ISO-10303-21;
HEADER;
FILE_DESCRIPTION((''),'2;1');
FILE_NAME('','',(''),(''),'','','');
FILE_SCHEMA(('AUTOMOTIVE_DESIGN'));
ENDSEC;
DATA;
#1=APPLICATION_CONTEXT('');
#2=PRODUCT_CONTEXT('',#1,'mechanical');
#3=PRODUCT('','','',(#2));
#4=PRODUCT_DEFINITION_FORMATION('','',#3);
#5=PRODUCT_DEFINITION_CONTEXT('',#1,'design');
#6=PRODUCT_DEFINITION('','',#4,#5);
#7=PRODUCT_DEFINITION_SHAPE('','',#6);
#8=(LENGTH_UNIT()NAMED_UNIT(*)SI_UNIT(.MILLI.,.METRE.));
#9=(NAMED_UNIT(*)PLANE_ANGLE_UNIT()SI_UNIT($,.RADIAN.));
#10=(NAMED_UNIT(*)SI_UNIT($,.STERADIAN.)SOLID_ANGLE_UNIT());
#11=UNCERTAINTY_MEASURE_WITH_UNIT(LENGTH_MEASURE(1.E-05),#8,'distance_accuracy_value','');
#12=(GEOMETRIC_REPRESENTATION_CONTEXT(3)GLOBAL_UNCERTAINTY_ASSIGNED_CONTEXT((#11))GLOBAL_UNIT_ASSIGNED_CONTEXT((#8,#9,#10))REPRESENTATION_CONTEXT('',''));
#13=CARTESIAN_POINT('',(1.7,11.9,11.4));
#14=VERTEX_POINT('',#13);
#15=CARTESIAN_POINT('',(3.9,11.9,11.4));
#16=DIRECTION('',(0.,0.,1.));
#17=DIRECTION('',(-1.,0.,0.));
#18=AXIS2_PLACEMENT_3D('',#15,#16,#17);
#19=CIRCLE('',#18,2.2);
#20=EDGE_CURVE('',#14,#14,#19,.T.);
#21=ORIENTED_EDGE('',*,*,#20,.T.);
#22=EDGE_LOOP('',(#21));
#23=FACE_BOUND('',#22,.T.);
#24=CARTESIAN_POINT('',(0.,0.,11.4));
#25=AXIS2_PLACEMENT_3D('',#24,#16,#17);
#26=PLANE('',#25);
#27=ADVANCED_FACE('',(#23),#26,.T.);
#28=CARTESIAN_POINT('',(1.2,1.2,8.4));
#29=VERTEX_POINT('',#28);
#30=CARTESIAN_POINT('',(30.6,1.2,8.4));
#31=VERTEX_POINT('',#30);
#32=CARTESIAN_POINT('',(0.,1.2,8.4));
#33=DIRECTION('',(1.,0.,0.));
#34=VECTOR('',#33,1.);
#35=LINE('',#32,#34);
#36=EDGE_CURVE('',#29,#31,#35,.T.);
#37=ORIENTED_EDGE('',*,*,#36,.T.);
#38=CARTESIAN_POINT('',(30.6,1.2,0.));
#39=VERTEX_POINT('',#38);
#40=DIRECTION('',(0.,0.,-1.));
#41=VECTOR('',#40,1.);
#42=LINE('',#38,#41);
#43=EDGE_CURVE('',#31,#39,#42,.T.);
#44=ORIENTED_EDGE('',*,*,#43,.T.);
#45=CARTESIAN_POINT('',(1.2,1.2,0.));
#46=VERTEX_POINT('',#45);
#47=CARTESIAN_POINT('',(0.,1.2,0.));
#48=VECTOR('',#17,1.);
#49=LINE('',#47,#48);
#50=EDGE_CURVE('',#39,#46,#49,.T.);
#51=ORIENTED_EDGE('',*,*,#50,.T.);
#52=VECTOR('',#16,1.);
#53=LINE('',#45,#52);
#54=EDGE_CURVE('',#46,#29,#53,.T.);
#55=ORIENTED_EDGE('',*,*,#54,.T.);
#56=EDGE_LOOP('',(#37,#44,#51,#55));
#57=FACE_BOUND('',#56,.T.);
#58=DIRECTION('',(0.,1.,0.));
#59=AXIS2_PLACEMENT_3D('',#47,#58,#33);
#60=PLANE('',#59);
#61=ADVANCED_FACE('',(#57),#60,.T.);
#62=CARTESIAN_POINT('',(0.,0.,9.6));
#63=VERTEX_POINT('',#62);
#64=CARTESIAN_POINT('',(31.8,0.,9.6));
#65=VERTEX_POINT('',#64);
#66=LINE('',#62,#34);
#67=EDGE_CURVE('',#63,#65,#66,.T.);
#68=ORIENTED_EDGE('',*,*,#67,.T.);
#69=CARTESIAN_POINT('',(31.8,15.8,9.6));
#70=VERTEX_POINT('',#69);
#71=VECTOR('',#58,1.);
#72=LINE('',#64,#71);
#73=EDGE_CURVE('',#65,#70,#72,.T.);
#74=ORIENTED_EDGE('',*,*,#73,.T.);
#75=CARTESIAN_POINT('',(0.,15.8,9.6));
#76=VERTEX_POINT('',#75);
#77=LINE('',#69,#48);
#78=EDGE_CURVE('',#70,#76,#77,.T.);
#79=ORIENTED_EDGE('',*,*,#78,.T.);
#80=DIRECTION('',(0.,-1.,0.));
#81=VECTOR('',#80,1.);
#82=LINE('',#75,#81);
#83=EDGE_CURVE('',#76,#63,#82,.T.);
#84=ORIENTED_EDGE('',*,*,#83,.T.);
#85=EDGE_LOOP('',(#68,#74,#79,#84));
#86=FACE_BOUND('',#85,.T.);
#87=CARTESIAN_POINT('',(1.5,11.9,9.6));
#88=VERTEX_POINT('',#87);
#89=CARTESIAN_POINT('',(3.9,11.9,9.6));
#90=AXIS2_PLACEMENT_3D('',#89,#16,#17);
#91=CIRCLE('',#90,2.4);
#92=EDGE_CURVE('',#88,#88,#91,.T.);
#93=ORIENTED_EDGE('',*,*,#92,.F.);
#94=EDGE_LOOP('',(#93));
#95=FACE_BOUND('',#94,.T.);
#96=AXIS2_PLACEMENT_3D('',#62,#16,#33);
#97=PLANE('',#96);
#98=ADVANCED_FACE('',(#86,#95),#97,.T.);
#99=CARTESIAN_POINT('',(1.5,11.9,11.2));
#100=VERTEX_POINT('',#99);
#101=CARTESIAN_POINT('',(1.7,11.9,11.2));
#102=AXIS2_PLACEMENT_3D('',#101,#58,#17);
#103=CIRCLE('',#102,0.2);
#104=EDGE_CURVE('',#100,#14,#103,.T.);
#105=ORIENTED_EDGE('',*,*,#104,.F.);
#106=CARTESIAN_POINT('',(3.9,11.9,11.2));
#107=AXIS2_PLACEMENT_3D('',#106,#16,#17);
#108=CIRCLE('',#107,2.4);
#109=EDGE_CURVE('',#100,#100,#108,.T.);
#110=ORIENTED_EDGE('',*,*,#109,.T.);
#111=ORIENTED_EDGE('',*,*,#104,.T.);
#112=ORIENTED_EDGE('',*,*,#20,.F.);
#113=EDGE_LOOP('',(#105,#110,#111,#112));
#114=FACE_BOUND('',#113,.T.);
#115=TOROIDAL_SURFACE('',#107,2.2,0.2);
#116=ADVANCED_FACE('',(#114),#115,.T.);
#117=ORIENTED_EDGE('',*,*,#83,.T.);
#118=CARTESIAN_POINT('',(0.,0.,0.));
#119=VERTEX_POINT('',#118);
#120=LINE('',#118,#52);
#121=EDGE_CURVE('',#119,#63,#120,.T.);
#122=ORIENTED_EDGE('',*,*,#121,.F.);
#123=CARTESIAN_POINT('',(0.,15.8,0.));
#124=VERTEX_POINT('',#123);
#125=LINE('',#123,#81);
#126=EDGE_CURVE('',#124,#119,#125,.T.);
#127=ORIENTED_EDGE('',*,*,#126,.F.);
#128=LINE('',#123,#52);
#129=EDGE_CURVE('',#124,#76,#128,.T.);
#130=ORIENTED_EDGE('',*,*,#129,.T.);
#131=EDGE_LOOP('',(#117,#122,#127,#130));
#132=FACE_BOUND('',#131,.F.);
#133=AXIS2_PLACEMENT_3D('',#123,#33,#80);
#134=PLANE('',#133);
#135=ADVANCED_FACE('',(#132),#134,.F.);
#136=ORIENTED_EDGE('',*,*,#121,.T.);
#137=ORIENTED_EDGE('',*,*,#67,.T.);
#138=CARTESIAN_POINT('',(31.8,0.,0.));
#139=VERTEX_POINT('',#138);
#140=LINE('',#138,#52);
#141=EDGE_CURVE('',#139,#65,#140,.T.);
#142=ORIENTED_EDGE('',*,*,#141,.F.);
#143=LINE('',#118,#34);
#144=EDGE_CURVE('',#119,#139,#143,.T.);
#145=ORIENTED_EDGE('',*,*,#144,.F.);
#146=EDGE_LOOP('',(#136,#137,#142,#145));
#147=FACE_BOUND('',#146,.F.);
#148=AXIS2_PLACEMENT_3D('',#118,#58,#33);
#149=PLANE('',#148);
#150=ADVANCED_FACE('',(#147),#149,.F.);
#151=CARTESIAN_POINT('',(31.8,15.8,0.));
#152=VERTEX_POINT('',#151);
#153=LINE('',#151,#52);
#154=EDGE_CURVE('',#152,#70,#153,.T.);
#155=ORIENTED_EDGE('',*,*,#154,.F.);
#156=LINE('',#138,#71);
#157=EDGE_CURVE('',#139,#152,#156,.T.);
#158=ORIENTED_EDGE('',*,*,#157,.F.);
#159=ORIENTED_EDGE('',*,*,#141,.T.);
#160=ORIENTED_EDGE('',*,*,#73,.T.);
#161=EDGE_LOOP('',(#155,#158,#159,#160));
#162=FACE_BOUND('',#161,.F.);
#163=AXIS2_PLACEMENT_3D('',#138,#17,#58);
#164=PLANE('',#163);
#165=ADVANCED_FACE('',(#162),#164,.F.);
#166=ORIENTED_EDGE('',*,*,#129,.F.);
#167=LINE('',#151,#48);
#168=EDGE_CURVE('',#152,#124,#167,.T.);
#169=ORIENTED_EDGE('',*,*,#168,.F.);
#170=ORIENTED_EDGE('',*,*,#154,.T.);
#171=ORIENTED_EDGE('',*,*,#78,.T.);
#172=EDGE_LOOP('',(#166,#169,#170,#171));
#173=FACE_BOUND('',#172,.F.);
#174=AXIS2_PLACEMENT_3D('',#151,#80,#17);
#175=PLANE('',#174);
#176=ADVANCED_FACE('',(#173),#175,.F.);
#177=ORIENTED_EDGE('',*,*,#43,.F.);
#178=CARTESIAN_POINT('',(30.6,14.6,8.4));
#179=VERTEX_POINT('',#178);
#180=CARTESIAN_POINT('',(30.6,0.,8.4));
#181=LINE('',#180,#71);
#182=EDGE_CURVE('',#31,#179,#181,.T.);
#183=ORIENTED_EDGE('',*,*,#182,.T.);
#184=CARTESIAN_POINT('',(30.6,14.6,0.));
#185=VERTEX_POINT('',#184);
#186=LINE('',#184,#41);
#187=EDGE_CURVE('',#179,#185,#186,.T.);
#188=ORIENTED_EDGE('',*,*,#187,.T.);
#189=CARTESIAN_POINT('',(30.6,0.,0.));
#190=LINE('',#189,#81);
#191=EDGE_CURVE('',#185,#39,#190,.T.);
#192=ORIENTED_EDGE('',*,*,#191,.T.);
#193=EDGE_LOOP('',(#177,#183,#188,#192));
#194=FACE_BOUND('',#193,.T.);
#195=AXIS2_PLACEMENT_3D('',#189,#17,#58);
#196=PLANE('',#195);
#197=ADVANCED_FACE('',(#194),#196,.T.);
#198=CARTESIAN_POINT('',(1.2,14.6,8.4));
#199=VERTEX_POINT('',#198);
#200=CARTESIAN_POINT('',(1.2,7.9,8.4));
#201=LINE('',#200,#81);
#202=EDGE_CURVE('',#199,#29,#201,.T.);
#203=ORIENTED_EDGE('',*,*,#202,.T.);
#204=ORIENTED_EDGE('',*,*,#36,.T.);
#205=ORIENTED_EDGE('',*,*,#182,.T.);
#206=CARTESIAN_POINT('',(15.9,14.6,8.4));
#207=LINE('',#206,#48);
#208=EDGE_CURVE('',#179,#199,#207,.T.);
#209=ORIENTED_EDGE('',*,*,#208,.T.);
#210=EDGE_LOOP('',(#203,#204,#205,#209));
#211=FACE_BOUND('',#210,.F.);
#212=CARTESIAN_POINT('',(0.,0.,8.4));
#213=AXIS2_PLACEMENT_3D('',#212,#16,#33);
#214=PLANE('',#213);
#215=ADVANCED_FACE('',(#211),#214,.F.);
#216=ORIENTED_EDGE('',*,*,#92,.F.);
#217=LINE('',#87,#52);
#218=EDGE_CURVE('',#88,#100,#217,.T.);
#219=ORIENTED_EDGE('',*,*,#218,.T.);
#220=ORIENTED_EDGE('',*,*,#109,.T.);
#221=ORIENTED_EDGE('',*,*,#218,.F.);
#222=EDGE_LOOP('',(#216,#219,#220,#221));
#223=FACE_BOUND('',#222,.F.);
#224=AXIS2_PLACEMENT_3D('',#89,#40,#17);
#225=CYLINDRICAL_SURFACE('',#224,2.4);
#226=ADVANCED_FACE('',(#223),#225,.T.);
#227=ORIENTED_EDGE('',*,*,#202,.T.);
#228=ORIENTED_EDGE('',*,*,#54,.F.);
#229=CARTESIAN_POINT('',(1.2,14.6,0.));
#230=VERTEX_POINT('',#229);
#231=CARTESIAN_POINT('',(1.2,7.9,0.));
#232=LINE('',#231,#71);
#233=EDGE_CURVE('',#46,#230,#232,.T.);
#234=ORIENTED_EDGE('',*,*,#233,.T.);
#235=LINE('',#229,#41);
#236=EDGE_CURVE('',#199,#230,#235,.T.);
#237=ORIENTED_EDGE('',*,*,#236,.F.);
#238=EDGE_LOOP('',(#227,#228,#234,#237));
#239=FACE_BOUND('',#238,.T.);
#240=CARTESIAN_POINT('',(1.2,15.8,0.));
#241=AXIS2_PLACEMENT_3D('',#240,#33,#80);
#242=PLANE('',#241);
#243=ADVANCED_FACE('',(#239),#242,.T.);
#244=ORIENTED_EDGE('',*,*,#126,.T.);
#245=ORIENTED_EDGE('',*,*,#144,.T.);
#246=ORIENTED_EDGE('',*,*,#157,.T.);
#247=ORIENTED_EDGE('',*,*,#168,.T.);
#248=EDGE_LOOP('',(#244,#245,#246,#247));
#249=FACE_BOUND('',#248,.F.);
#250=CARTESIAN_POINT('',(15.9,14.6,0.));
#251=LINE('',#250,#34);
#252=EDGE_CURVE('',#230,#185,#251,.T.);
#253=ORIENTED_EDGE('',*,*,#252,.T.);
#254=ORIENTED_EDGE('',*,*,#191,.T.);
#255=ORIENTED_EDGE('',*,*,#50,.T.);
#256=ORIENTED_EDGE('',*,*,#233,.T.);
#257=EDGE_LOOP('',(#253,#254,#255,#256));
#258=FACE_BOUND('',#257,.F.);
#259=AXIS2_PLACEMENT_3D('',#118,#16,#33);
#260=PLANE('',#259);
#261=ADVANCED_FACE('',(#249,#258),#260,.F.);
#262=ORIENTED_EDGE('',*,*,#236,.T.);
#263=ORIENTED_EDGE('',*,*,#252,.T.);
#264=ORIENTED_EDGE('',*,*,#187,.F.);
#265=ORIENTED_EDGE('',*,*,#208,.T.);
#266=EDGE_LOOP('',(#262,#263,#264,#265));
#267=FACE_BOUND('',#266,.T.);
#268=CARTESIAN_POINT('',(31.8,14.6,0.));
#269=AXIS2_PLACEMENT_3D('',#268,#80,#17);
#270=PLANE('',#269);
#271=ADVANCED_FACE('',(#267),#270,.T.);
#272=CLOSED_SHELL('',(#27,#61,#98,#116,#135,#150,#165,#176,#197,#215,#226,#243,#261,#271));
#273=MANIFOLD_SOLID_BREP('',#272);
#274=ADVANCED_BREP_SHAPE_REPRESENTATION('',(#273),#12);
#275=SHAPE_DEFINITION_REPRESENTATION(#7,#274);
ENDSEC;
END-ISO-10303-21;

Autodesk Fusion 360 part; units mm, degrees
sketch "Sketch1" plane through (0, 0, 0) normal (0, 0, 1) x (1, 0, 0)
  line L0 (0, 0) -> (31.8, 0)
  line L1 (31.8, 0) -> (31.8, 15.8)
  line L2 (31.8, 15.8) -> (0, 15.8)
  line L3 (0, 15.8) -> (0, 0)
  dimension "d3" = 31.8
  dimension "d4" = 15.8
extrude "Extrude1" add sketch "Sketch1" along normal blind 9.6
shell "Shell1" thickness 1.2 removed faces 1 at (21.2, 5.2667, 0)
sketch "Sketch2" plane through (0, 0, 9.6) normal (0, 0, 1) x (-1, 0, 0)
  line L0 (0, -15.8) -> (0, 0)
  line L1 (0, 0) -> (-31.8, 0)
  line L2 (-31.8, 0) -> (-31.8, -15.8)
  line L3 (-31.8, -15.8) -> (0, -15.8)
  circle A0 centre (-3.9, -11.9) radius 2.4
  dimension "d8" = 4.8
  dimension "d9" = 3.9
  dimension "d10" = 3.9
extrude "Extrude2" add sketch "Sketch2" along normal blind 1.8 contours A0
fillet "Fillet1" radius 0.2 1 edges at (6.1376, 12.7679, 11.4)
equation "d3 = ( 3.9 * 2 ) * 1 mm + ( 8.0 * ( n_orizzontale - 1 ) ) * 1 mm"
equation "d4 = ( 3.9 * 2 ) * 1 mm + ( 8.0 * ( n_verticale - 1 ) ) * 1 mm"
equation "d15 = n_orizzontale"
equation "d16 = n_verticale"
equation "n_orizzontale = 4"
equation "n_verticale = 2"
